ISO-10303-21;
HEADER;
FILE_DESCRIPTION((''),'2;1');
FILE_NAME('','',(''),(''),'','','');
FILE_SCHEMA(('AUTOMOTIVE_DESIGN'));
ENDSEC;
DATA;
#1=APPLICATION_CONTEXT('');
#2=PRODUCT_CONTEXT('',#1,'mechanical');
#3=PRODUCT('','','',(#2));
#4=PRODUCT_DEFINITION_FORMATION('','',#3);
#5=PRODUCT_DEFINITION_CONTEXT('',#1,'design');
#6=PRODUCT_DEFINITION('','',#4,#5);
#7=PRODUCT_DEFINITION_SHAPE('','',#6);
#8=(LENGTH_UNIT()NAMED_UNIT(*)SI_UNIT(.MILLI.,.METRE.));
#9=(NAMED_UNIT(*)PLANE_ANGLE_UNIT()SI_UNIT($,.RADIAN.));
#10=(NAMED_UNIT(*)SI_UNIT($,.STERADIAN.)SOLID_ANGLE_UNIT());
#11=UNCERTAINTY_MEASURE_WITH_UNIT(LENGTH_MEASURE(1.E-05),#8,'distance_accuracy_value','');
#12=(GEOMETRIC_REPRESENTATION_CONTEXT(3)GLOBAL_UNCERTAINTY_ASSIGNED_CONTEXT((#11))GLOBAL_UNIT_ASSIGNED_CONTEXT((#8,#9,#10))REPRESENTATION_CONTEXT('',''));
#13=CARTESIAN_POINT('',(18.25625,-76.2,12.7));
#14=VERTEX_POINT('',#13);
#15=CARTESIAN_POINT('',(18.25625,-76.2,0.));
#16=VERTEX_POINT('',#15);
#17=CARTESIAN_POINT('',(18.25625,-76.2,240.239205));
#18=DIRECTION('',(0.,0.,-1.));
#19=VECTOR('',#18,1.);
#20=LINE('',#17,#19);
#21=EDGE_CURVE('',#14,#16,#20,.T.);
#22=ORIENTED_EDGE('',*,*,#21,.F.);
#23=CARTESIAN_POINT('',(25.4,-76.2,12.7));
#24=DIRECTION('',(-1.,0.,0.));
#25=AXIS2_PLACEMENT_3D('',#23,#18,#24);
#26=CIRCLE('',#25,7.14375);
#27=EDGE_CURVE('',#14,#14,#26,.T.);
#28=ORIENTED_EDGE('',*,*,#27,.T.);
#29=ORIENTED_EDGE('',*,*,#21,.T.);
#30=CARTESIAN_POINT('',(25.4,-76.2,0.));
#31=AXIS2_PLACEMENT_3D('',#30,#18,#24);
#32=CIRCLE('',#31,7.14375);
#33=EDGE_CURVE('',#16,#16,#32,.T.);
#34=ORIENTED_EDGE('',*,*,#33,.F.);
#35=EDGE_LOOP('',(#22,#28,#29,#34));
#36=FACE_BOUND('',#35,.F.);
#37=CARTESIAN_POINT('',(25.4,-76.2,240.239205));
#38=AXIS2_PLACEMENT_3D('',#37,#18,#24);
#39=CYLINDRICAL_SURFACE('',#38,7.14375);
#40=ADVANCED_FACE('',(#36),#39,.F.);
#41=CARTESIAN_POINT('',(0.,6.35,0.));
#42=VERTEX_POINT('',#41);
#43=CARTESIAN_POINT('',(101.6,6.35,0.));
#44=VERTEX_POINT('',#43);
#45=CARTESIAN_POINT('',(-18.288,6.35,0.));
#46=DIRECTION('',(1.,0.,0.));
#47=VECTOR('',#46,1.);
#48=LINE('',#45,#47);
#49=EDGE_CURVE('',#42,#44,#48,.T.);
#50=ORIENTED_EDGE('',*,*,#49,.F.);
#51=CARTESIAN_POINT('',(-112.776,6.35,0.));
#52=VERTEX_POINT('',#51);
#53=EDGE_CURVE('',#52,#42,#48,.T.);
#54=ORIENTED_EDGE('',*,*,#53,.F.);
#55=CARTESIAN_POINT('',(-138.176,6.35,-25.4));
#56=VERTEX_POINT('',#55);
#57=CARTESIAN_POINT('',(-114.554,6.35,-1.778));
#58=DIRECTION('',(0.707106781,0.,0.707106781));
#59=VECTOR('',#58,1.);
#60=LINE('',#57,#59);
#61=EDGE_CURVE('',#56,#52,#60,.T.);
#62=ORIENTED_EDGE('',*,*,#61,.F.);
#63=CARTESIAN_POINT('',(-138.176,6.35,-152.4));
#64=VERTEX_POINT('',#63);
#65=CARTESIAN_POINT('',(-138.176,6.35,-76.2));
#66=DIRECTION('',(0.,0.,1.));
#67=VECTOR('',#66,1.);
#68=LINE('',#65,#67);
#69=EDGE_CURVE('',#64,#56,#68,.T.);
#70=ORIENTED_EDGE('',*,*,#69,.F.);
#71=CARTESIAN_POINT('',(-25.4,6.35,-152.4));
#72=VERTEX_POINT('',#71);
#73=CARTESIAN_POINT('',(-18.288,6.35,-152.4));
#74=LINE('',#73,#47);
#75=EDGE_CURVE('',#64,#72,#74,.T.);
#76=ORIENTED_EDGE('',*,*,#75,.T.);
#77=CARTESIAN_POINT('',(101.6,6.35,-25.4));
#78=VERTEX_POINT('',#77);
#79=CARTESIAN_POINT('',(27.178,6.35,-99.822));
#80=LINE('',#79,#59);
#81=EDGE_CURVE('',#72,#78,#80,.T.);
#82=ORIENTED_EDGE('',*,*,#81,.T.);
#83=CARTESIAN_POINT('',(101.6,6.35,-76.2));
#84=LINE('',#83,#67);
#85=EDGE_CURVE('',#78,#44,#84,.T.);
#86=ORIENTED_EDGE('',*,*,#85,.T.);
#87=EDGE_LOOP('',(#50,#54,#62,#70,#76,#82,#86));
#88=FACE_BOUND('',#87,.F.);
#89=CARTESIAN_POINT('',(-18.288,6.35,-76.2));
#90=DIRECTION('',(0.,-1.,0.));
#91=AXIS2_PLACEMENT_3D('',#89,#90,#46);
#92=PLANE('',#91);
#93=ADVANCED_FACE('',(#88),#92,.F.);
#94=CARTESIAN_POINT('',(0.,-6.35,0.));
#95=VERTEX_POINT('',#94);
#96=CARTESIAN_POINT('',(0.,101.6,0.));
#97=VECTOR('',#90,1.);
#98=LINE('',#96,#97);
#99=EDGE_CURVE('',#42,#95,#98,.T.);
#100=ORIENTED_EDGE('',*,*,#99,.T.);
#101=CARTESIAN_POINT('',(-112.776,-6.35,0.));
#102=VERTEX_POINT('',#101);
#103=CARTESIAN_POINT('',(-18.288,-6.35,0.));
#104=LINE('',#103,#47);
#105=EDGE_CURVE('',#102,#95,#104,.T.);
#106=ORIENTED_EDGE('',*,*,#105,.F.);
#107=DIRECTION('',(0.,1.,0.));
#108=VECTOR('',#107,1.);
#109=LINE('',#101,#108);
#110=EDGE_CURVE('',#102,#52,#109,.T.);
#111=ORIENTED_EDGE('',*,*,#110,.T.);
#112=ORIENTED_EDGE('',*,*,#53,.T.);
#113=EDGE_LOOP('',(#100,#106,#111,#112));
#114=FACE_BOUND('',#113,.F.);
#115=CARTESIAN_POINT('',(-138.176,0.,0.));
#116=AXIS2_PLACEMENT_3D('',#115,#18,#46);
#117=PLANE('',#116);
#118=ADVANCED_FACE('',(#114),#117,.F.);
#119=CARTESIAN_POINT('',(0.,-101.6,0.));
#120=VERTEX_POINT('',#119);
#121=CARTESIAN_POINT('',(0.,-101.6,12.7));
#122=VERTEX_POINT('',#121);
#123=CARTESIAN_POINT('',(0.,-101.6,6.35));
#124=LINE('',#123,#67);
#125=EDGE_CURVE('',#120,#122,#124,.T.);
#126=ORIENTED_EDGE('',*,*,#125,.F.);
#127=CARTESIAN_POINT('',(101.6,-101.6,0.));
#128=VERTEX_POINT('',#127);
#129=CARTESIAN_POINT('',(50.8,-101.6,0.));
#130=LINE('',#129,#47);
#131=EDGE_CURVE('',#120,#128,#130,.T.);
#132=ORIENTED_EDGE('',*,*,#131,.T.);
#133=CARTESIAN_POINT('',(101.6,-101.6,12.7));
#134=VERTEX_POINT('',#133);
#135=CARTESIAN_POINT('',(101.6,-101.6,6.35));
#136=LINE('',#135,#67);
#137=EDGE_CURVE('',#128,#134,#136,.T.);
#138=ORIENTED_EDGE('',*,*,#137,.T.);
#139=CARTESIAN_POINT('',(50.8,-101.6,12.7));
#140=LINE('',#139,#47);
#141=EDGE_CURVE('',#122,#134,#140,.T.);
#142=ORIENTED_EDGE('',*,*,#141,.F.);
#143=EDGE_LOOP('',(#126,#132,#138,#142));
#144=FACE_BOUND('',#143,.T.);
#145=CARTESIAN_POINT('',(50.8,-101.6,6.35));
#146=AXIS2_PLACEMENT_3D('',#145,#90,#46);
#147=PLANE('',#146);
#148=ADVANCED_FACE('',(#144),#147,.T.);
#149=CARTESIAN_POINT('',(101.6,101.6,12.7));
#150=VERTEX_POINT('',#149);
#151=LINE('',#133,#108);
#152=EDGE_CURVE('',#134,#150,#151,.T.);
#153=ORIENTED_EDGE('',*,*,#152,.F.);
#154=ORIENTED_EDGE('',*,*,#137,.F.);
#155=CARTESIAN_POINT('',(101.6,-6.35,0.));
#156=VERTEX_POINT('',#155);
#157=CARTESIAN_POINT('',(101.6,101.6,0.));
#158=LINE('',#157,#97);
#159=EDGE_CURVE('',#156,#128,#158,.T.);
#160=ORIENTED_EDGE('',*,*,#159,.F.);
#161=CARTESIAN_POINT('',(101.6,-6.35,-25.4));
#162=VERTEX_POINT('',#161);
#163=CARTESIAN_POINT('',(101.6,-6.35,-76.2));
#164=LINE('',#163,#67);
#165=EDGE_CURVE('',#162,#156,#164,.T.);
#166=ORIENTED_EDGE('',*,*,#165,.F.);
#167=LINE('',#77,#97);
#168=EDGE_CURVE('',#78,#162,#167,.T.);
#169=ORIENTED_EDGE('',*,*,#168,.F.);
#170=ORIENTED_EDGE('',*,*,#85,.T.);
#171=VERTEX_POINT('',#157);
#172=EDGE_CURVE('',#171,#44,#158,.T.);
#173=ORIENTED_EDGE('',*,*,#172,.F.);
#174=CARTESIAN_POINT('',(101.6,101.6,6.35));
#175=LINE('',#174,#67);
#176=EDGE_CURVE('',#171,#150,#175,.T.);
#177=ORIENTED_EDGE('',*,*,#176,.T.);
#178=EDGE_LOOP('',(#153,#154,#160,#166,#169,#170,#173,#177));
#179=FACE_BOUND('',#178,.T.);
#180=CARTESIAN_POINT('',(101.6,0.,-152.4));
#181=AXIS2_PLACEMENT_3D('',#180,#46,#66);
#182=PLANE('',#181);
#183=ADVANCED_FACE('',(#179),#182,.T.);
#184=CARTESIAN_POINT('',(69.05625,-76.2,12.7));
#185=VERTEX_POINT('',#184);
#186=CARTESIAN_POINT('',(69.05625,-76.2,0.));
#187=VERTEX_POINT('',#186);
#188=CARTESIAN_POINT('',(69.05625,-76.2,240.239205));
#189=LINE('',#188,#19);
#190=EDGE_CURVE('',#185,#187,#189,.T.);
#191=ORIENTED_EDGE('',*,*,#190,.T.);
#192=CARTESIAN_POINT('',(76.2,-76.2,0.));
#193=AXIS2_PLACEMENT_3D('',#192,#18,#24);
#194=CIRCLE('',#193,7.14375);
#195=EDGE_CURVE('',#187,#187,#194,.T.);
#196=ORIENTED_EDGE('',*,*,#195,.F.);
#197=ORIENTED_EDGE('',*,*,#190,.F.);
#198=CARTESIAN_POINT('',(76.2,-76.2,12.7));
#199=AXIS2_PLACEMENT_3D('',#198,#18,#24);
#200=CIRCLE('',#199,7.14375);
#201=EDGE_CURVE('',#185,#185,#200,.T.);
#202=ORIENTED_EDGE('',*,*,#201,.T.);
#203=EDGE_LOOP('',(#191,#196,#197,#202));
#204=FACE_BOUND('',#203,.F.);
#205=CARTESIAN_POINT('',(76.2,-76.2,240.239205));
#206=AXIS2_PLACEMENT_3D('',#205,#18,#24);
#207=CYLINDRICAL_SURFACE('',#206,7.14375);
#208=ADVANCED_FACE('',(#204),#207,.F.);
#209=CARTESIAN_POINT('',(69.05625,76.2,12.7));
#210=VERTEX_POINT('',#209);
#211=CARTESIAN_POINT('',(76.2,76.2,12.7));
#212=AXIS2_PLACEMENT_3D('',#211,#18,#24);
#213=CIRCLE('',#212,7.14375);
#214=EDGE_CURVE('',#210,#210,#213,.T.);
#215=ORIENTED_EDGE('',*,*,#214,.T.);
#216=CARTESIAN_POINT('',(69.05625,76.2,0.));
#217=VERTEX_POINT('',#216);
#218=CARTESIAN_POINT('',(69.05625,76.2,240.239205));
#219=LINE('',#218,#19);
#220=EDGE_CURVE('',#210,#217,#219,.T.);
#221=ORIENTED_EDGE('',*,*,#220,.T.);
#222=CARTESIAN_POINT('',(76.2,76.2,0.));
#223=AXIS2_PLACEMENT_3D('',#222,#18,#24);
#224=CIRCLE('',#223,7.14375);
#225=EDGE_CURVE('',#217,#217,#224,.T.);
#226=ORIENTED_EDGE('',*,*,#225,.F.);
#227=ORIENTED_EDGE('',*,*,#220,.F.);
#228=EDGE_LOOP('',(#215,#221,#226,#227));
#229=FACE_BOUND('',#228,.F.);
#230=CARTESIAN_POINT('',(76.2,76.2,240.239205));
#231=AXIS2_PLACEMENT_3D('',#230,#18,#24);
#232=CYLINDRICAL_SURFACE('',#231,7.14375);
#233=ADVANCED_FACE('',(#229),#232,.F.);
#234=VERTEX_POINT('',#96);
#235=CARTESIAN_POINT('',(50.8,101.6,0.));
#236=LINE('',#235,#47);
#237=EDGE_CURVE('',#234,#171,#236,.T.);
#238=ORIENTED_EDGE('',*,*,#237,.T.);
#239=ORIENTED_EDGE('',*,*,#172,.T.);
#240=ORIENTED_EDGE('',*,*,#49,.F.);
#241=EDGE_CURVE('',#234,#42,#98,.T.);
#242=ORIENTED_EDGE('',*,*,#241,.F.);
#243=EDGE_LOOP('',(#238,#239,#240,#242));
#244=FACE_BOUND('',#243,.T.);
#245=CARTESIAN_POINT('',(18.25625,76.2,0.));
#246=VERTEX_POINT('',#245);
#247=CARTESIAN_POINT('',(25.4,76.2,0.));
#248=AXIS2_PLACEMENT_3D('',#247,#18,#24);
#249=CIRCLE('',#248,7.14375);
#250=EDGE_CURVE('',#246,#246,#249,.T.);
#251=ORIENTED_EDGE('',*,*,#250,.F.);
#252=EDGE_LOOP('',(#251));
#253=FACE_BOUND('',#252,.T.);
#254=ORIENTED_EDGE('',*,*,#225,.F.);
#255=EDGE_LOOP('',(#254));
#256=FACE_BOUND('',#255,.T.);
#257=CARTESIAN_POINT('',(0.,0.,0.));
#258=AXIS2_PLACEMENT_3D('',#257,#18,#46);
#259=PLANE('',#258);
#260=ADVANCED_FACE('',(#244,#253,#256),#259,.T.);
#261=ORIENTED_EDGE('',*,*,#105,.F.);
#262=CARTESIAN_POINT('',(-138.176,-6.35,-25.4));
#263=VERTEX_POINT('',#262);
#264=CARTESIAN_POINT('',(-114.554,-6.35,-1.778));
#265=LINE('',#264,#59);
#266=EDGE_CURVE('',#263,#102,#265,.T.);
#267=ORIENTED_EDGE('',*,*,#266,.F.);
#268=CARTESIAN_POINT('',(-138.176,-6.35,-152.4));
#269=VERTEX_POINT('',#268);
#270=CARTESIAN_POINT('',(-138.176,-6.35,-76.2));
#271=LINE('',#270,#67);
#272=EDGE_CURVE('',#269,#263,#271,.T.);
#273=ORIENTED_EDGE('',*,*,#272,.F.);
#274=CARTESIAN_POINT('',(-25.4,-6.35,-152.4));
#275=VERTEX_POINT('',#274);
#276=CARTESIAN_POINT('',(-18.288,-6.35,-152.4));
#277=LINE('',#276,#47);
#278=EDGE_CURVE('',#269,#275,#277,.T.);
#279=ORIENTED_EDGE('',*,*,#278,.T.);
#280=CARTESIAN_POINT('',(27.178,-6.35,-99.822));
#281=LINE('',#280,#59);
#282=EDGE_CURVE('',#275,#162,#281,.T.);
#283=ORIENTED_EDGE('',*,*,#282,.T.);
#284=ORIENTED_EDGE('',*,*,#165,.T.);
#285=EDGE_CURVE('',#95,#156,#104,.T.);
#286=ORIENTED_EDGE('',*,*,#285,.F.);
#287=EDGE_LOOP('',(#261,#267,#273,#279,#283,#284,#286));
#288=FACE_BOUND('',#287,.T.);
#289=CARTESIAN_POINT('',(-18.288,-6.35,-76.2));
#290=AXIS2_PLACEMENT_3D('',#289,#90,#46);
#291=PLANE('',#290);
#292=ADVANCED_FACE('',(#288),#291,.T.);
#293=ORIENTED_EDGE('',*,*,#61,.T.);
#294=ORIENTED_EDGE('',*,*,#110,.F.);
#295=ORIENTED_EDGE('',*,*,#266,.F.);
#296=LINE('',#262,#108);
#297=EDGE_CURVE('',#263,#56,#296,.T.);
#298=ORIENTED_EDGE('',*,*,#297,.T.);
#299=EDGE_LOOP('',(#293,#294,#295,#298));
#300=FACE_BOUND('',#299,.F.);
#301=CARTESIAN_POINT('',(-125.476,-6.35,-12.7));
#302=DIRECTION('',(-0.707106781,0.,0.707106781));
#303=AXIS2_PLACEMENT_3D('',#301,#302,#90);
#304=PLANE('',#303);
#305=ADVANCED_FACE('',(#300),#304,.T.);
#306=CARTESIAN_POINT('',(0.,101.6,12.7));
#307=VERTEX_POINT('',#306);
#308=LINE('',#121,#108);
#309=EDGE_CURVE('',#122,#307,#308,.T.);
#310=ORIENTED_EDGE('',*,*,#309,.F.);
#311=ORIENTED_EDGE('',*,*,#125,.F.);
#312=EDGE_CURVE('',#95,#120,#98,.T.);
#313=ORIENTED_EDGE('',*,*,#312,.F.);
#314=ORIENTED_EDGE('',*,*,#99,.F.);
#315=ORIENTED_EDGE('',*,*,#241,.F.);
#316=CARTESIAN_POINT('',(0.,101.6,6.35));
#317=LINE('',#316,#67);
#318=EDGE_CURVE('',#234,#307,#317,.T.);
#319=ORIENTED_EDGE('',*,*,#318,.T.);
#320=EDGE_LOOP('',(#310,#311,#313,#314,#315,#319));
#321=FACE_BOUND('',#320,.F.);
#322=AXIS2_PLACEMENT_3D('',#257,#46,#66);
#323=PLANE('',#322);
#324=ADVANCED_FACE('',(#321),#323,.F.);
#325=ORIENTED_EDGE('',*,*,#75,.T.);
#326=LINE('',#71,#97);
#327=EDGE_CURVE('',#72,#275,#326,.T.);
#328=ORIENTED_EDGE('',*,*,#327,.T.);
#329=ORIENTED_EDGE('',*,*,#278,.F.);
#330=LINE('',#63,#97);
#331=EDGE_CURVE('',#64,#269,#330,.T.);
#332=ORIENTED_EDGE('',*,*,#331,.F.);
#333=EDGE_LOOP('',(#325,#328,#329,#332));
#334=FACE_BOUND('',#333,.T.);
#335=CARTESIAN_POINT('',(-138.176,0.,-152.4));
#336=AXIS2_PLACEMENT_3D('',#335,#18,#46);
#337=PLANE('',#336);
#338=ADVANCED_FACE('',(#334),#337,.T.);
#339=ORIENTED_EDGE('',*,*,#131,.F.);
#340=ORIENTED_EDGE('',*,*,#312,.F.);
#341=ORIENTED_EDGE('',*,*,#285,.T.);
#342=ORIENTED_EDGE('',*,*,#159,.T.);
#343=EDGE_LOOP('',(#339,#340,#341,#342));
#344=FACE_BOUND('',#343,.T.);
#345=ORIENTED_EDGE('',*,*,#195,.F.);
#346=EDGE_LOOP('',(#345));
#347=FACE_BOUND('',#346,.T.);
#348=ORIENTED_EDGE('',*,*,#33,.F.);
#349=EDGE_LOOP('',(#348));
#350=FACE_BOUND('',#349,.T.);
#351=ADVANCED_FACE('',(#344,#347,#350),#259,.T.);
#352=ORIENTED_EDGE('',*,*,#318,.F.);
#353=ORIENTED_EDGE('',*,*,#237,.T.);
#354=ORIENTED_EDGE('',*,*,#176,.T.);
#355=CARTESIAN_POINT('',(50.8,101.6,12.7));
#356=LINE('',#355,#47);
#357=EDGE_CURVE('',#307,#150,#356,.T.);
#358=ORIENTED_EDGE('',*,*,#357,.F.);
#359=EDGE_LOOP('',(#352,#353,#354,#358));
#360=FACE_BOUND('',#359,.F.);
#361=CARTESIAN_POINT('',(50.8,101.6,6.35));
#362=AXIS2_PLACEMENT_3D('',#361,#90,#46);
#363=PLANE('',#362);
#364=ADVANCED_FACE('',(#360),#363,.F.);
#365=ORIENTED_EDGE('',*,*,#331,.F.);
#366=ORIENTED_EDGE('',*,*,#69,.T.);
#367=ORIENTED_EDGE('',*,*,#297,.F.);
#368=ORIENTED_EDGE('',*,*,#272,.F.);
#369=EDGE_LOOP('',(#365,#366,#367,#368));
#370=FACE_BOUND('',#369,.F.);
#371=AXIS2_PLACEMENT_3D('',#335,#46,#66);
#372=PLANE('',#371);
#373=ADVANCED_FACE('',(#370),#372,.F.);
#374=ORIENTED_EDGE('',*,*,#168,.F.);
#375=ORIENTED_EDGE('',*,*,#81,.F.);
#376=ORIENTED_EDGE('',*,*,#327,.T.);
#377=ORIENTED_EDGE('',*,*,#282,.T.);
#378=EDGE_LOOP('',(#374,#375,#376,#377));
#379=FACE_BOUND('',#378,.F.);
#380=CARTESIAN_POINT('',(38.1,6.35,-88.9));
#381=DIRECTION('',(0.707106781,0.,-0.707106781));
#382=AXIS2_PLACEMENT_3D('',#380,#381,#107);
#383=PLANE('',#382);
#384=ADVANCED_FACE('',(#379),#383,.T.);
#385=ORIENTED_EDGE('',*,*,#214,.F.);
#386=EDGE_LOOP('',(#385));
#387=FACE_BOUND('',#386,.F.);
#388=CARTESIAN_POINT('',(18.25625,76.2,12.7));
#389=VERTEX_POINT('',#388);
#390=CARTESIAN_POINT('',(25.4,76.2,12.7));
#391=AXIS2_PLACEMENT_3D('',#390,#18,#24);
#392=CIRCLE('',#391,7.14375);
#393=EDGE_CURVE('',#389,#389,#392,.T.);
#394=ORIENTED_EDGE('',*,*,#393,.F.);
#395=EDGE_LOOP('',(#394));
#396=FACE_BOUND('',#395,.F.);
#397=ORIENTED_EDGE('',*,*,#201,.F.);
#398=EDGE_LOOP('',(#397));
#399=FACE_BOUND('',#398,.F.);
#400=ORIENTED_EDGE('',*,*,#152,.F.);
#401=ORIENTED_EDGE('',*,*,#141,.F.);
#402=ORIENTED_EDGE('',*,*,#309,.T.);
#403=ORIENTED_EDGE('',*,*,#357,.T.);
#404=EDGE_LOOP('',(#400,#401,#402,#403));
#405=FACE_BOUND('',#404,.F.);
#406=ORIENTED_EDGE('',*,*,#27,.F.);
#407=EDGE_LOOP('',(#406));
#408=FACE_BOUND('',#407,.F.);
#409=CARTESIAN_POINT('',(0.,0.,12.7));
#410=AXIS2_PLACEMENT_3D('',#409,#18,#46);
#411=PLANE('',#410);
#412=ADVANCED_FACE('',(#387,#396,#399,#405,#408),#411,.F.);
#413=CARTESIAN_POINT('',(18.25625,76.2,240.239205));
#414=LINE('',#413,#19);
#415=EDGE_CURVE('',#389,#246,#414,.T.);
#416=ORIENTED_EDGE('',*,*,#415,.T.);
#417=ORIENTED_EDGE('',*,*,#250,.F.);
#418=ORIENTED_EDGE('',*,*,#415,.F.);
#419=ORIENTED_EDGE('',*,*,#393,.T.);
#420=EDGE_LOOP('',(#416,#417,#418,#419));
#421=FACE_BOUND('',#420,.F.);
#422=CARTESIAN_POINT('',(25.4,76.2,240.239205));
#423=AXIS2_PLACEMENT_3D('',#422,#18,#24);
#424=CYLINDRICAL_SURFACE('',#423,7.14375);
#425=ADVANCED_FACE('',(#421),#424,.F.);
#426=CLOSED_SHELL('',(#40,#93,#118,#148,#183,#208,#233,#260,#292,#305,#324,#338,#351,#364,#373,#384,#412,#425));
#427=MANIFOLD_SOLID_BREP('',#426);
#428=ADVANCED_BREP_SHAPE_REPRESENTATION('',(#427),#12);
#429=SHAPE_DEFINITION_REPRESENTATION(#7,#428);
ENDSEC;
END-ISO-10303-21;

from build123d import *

# Parameters (mm, degrees)
F0_W     = 101.6
F0_H     = 12.7
F1_DEPTH = 101.6
F3_D     = 14.2875
F4_W     = 239.776
F4_H     = 152.4
F5_DEPTH = 6.35
F6_SIZE  = 25.4
F7_SIZE  = 127


with BuildPart() as f1:
    # F0 (on Front) → F1 (new body, symmetric)
    with BuildSketch(Plane.XZ):
        with Locations((50.8, 6.35)):
            Rectangle(F0_W, F0_H)
    extrude(amount=F1_DEPTH, both=True)

    # F3 (through all)
    with Locations(Plane.XY.offset(12.7)):
        with Locations((25.4, -76.2), (76.2, -76.2), (76.2, 76.2), (25.4, 76.2)):
            Hole(F3_D / 2)

    # F4 (on Front) → F5 (join, symmetric)
    with BuildSketch(Plane.XZ):
        with Locations((-18.288, -76.2)):
            Rectangle(F4_W, F4_H)
    extrude(amount=F5_DEPTH, both=True)

    # F6
    f6_edges = [f1.edges().sort_by_distance(p)[0] for p in [
        (-138.176, 0, 0),
    ]]
    chamfer(f6_edges, length=F6_SIZE)

    # F7
    f7_edges = [f1.edges().sort_by_distance(p)[0] for p in [
        (101.6, 0, -152.4),
    ]]
    chamfer(f7_edges, length=F7_SIZE)


solid = f1.part
